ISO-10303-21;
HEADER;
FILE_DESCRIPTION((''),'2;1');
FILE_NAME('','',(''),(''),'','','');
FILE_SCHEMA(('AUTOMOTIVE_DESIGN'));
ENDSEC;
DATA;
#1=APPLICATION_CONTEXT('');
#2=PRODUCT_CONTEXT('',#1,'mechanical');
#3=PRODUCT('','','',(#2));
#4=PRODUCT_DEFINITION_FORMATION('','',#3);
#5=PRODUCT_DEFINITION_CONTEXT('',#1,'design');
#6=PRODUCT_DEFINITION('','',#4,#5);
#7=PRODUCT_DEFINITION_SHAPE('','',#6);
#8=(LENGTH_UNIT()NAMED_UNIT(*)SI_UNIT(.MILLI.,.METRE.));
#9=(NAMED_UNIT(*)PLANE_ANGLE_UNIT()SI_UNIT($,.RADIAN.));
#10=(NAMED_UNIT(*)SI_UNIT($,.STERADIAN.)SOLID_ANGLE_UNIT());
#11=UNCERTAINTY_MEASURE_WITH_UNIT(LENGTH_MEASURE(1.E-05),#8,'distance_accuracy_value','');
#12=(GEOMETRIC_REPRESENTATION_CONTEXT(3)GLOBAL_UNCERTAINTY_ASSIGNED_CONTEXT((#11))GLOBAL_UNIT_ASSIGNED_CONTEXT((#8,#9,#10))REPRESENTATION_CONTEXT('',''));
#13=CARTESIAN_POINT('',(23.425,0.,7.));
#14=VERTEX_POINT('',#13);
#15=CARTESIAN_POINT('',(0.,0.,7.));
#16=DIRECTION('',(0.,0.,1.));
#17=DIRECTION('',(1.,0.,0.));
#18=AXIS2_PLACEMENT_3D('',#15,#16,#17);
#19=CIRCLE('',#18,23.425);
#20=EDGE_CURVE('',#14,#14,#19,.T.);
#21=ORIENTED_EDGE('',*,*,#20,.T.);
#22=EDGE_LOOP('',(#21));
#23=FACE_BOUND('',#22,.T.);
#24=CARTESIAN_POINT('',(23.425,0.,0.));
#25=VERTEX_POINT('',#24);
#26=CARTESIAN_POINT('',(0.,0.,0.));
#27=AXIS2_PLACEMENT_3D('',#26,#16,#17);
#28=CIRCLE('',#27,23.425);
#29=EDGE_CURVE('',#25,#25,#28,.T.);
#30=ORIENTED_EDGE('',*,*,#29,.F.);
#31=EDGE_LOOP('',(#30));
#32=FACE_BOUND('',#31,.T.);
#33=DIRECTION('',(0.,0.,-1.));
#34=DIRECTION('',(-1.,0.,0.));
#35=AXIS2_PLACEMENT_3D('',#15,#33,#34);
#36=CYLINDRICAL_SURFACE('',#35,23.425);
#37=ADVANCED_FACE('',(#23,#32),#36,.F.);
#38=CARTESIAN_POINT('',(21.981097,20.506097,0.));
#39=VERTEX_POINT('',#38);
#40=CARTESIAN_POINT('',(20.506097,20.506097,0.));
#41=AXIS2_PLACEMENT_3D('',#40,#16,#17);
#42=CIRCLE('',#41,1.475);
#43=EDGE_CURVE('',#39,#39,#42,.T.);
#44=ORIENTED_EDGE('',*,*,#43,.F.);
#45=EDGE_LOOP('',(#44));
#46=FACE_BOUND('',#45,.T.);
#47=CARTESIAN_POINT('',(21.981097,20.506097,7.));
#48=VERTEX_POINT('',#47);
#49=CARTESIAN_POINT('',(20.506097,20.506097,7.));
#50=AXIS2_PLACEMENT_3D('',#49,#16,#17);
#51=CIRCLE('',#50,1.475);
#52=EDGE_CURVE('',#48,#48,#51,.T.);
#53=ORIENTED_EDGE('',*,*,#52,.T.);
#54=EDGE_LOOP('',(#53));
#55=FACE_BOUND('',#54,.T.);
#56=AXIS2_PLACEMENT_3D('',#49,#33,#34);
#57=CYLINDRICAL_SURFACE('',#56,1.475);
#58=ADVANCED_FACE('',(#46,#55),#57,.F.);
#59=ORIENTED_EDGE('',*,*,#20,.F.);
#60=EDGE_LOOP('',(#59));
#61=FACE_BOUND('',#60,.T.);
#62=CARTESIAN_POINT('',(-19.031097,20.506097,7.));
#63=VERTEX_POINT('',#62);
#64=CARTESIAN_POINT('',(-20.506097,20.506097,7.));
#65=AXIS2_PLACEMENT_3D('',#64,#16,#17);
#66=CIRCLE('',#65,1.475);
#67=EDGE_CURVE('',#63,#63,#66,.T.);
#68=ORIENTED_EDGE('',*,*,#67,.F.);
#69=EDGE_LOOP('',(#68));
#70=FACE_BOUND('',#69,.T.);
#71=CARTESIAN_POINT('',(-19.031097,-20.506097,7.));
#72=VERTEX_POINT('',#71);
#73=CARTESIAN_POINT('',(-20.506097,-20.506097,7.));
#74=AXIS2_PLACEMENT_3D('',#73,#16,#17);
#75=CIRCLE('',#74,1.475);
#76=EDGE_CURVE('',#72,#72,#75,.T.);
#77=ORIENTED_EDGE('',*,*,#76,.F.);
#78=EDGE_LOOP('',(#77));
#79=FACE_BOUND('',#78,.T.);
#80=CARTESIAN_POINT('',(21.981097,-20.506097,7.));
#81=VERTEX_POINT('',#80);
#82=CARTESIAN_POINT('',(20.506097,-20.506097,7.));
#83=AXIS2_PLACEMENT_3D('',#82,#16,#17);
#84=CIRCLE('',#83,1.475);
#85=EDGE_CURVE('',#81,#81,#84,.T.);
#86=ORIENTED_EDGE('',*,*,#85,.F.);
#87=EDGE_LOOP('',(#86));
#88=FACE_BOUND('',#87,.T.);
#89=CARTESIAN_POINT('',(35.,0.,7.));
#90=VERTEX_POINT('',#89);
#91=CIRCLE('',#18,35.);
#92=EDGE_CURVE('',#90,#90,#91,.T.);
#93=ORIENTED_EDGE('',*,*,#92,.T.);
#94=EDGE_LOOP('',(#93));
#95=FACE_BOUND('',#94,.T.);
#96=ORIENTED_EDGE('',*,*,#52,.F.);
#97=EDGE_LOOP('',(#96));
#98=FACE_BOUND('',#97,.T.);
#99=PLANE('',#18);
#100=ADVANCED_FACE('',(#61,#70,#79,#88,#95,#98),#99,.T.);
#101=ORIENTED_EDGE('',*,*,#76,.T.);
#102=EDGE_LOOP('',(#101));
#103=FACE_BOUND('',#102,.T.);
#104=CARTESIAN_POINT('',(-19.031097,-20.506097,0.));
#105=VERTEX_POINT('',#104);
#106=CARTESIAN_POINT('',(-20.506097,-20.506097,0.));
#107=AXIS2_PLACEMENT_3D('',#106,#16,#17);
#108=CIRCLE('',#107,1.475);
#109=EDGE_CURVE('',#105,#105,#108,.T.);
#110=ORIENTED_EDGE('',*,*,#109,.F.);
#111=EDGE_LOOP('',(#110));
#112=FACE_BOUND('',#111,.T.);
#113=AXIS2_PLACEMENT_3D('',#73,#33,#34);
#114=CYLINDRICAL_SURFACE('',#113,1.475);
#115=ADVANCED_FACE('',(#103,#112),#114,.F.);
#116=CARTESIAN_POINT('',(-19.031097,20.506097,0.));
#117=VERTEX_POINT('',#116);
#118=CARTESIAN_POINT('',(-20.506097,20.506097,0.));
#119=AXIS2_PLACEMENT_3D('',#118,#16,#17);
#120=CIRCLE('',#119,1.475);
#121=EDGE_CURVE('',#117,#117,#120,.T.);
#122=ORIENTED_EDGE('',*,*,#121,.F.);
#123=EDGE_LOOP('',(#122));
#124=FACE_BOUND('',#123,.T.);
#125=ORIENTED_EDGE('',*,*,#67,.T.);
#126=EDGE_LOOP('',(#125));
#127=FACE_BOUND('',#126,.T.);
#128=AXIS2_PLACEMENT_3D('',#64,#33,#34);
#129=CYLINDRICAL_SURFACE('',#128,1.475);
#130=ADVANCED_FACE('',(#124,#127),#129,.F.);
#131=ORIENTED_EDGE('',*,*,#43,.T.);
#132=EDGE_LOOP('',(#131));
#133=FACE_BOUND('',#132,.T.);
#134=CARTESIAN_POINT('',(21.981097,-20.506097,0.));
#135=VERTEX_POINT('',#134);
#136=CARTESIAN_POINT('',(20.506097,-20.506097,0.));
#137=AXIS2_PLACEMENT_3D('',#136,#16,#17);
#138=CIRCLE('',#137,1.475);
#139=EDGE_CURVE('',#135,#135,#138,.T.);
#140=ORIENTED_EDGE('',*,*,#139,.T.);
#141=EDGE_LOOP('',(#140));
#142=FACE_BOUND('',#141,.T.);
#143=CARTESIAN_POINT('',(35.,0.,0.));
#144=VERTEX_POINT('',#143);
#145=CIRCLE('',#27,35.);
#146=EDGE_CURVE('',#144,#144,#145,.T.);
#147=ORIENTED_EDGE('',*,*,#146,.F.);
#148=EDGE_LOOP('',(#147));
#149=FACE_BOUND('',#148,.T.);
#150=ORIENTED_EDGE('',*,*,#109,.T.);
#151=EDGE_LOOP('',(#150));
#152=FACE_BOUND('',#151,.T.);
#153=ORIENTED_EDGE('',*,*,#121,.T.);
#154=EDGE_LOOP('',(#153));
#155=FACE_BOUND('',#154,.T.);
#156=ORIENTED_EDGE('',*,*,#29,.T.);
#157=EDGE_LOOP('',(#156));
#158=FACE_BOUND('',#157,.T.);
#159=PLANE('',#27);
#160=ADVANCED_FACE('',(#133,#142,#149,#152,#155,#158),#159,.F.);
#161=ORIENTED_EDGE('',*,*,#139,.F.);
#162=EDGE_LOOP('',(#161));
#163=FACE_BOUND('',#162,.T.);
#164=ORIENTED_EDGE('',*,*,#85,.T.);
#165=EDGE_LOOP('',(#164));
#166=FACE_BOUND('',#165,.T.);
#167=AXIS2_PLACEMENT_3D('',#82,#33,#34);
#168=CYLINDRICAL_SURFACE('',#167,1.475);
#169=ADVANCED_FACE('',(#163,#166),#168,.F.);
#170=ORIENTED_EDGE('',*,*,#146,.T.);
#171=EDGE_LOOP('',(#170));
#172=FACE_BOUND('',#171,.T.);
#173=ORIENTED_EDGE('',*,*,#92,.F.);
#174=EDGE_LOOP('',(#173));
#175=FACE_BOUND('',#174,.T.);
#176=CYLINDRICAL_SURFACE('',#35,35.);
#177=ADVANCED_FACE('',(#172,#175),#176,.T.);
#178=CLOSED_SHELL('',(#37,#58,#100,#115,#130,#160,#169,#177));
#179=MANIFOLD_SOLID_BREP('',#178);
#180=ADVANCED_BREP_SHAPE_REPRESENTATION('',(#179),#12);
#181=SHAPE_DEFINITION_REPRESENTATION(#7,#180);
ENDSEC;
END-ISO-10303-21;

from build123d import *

# Parameters (mm, degrees)
SKETCH1_R           = 35
SKETCH1_R_2         = 23.425
SKETCH1_R_3         = 1.475
BOSS_EXTRUDE1_DEPTH = 7


with BuildPart() as part:
    # Sketch1 → Boss-Extrude1 (new body)
    with BuildSketch(Plane.XY):
        Circle(SKETCH1_R)
        Circle(SKETCH1_R_2, mode=Mode.SUBTRACT)
        with Locations((-20.506096654, 20.506096654)):
            Circle(SKETCH1_R_3, mode=Mode.SUBTRACT)
        with Locations((20.506096654, 20.506096654)):
            Circle(SKETCH1_R_3, mode=Mode.SUBTRACT)
        with Locations((20.506096654, -20.506096654)):
            Circle(SKETCH1_R_3, mode=Mode.SUBTRACT)
        with Locations((-20.506096654, -20.506096654)):
            Circle(SKETCH1_R_3, mode=Mode.SUBTRACT)
    extrude(amount=BOSS_EXTRUDE1_DEPTH)


solid = part.part
